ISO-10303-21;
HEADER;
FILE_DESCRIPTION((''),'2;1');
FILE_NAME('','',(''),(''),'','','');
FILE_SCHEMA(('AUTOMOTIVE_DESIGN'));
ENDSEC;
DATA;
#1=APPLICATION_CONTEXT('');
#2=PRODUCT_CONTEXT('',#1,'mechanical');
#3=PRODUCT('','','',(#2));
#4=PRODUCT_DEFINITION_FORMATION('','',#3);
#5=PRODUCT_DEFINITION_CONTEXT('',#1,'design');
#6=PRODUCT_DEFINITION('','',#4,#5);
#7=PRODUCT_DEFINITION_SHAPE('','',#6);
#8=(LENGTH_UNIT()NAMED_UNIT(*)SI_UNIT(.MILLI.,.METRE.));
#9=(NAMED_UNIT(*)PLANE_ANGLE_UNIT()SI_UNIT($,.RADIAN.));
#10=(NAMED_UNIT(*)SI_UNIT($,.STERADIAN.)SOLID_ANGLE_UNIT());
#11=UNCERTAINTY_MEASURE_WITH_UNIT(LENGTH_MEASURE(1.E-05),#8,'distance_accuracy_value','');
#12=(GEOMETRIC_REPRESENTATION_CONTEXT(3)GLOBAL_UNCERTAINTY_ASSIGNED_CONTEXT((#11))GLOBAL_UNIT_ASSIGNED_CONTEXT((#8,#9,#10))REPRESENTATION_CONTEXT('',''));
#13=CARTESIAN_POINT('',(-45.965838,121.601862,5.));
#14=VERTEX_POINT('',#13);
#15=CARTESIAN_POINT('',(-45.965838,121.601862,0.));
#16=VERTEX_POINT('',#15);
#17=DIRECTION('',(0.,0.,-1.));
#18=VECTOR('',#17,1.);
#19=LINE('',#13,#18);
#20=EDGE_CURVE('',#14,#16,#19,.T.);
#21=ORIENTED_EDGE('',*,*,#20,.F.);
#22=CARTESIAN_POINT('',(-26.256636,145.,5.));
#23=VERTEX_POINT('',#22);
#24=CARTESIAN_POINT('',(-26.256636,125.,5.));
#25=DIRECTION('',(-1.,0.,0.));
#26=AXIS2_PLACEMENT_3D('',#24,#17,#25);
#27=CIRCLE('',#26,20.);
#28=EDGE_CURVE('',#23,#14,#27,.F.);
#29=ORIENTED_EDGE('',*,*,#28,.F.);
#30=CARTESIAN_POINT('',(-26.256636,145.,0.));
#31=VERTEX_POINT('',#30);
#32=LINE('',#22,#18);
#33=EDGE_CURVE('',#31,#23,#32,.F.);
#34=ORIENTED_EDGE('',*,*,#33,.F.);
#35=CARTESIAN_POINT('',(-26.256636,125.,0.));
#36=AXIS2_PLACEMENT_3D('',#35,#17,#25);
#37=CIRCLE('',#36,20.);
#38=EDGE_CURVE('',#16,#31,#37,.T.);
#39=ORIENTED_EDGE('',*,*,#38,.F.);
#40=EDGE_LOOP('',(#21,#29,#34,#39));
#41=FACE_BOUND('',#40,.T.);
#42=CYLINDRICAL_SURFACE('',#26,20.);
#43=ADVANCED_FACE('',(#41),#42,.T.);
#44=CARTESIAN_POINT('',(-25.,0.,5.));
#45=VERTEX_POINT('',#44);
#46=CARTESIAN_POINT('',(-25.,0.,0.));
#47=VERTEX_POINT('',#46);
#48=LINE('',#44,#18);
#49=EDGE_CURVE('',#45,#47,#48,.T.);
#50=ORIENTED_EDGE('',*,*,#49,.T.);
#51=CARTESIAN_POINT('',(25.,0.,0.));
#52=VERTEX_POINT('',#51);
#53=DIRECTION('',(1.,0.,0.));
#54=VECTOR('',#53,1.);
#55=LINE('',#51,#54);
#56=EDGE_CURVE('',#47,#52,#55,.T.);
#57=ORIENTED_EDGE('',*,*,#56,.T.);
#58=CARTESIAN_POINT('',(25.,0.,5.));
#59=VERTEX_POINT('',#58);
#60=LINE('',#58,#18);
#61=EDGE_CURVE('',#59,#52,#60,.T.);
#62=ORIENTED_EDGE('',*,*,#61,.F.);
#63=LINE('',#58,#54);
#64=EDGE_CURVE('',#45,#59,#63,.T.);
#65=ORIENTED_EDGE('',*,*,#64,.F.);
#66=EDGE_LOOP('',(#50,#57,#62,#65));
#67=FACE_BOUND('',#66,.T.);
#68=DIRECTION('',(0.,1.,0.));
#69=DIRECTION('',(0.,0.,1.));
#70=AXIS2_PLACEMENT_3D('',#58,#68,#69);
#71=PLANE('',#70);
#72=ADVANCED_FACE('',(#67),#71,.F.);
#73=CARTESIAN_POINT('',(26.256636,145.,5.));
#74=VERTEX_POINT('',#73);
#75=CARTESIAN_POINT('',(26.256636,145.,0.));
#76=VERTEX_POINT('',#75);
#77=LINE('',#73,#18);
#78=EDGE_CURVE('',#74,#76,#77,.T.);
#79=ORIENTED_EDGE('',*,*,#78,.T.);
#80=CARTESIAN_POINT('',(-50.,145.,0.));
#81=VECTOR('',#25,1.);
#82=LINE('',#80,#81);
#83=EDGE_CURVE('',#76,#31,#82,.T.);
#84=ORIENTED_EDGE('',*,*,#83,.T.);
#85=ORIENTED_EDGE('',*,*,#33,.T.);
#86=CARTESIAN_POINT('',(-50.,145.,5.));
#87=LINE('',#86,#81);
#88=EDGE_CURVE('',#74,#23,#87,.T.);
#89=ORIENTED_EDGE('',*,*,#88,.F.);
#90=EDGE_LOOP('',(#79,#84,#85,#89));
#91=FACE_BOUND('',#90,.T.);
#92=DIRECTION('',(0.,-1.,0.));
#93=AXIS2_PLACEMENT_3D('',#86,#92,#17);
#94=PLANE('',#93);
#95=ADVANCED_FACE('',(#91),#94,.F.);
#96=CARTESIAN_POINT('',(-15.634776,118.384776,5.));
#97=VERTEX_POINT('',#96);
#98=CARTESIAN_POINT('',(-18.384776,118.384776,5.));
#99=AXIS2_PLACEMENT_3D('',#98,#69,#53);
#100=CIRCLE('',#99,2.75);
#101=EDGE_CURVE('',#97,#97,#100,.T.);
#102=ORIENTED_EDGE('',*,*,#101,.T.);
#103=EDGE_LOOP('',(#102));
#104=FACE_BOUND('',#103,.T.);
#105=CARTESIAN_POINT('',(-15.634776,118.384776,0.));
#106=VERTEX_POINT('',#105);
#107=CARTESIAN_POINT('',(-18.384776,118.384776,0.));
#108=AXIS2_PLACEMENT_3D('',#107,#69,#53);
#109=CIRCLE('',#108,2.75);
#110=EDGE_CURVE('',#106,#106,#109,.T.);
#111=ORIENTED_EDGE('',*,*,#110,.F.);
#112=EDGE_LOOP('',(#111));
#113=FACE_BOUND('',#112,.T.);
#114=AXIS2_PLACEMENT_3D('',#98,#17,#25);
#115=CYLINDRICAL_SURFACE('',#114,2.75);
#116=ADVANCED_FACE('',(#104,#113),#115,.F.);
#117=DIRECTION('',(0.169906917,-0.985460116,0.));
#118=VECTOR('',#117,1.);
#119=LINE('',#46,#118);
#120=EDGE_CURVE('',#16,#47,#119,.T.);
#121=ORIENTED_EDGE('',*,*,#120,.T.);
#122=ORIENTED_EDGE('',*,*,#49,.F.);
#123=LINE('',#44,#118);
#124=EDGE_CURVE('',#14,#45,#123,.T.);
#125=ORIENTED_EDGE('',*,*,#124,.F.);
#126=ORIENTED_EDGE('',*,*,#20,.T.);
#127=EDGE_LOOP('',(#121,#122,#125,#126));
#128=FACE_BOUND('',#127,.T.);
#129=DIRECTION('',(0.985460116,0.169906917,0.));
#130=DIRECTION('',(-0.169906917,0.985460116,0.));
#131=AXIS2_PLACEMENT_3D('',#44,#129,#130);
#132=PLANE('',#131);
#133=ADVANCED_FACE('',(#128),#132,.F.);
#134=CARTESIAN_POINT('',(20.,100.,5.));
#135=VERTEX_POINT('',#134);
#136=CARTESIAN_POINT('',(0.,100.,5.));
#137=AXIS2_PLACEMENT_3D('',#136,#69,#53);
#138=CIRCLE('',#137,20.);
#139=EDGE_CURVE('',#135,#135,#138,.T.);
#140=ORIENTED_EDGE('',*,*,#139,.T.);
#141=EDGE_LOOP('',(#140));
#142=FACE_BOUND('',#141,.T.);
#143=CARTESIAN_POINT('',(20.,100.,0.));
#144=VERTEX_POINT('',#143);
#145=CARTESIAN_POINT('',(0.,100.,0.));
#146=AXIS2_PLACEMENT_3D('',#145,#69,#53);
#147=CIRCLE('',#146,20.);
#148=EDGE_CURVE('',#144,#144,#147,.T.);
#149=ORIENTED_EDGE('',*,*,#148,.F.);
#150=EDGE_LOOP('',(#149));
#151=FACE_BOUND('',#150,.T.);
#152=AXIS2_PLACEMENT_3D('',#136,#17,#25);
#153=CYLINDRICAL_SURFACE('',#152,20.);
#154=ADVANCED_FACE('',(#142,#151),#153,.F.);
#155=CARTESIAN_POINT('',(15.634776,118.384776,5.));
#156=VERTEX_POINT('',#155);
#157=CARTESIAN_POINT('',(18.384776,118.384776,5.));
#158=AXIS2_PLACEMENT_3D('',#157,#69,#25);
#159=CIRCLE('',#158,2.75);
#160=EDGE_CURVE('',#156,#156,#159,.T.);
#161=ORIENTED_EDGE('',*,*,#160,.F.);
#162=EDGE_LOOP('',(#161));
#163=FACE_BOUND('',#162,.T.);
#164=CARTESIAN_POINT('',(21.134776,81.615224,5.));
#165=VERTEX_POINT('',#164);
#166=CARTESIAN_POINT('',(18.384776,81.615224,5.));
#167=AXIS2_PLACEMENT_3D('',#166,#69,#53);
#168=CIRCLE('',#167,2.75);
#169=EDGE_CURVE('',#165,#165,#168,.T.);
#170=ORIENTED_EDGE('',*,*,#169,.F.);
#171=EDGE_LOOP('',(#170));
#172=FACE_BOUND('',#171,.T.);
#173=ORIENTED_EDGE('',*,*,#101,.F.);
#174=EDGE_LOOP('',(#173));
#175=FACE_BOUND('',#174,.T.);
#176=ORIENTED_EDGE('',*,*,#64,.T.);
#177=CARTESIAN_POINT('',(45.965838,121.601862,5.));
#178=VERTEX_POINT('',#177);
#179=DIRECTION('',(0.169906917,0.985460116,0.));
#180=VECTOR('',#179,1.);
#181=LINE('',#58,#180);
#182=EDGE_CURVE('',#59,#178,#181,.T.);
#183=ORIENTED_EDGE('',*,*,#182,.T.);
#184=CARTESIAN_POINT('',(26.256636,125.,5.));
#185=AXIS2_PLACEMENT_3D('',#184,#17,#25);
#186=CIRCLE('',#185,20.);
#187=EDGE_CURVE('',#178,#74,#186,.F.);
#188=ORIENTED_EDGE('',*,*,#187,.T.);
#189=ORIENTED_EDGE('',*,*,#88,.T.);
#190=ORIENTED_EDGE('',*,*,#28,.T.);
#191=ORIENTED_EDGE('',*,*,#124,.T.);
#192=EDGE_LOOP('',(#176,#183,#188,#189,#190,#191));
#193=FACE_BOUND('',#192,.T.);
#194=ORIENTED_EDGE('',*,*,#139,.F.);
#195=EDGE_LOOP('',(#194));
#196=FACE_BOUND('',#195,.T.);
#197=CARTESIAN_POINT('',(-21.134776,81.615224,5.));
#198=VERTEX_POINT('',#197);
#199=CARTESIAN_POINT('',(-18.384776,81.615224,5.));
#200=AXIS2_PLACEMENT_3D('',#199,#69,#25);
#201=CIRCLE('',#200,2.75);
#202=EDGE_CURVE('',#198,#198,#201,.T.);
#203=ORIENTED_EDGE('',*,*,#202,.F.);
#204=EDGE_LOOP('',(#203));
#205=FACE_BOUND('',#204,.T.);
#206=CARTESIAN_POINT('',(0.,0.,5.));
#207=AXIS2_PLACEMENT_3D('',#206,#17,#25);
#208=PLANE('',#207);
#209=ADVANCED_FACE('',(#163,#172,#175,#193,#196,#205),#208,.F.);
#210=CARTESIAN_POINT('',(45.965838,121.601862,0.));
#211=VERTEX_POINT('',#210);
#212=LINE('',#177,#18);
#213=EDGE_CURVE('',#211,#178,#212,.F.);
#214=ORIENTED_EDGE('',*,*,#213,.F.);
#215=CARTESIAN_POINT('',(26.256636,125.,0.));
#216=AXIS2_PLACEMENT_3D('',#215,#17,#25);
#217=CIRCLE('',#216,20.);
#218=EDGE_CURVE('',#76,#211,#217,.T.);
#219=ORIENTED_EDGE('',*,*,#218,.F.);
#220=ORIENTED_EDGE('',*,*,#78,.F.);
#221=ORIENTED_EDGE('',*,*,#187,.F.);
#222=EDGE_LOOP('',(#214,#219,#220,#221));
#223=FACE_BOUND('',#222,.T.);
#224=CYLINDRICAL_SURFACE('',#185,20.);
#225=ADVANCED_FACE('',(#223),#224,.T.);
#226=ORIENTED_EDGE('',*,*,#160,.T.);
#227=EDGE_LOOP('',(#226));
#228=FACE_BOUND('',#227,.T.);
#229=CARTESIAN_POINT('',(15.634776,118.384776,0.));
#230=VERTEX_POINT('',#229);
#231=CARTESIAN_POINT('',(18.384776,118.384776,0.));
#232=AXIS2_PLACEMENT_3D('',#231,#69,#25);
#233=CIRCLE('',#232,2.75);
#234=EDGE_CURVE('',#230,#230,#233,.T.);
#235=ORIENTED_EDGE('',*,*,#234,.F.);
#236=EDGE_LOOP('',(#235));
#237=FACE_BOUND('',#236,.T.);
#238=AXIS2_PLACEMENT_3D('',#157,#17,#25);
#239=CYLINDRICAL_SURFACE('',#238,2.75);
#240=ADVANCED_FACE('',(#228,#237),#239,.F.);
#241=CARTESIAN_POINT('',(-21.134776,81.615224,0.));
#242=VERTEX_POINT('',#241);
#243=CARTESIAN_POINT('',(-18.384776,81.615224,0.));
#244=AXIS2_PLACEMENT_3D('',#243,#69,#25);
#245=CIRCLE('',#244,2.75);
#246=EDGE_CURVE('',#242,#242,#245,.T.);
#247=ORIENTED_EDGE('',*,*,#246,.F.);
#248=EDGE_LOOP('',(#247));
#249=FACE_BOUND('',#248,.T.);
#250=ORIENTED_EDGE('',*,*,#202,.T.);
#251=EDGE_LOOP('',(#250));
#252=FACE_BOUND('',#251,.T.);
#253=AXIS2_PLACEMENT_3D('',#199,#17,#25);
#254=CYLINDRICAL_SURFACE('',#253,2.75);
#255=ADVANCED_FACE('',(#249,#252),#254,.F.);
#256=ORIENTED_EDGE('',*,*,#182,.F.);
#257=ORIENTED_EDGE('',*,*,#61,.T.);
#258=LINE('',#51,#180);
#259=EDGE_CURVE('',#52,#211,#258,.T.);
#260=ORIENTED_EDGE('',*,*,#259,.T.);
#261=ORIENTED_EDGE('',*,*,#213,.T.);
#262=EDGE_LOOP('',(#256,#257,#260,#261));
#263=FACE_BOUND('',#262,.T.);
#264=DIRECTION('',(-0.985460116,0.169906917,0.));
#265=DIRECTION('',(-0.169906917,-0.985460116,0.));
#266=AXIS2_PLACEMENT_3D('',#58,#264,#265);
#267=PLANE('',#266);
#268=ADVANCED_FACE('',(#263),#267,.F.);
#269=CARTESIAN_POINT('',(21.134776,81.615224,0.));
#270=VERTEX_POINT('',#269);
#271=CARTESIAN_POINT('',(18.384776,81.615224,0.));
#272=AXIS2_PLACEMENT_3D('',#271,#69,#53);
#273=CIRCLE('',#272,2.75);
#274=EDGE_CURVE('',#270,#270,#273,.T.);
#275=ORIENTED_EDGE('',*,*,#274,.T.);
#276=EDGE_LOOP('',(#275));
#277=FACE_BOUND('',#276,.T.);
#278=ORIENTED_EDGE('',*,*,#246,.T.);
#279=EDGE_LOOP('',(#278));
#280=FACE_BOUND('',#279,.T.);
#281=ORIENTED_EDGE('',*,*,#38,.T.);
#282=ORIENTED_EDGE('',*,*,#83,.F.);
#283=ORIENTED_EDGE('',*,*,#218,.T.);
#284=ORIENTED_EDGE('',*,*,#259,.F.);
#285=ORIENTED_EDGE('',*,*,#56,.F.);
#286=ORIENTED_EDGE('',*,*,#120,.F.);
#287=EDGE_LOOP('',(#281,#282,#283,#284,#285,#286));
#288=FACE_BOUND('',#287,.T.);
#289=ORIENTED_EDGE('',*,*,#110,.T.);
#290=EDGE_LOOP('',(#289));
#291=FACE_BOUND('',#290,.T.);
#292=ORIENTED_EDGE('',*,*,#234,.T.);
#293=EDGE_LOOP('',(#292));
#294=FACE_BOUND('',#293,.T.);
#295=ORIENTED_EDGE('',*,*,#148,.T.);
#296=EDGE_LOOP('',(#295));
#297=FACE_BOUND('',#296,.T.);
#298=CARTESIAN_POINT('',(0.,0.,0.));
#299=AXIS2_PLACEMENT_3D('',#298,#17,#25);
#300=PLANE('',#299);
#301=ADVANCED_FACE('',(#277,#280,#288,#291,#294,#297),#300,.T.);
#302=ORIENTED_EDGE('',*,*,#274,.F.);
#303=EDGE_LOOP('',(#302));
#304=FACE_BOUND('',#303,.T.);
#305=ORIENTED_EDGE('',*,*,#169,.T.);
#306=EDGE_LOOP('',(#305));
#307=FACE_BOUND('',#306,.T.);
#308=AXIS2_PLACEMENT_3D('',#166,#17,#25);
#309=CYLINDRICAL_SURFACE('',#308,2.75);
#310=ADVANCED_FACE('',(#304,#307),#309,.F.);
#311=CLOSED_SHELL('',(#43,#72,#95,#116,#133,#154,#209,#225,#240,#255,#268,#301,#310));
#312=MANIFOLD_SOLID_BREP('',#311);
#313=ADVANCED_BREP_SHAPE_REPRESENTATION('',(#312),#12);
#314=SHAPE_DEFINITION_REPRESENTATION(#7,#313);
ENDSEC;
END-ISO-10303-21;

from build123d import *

# Parameters (mm, degrees)
SKETCH1_R           = 20
SKETCH1_R_2         = 2.75
BOSS_EXTRUDE1_DEPTH = 5
FILLET1_R           = 20


with BuildPart() as part:
    # Sketch1 → Boss-Extrude1 (new body)
    with BuildSketch(Plane.XY):
        Polygon((25, 0), (-25, 0), (-50, 145), (50, 145), align=None)
        with Locations((0, 100)):
            Circle(SKETCH1_R, mode=Mode.SUBTRACT)
        with Locations((-18.384776311, 118.384776311)):
            Circle(SKETCH1_R_2, mode=Mode.SUBTRACT)
        with Locations((-18.384776311, 81.615223689)):
            Circle(SKETCH1_R_2, mode=Mode.SUBTRACT)
        with Locations((18.384776311, 81.615223689)):
            Circle(SKETCH1_R_2, mode=Mode.SUBTRACT)
        with Locations((18.384776311, 118.384776311)):
            Circle(SKETCH1_R_2, mode=Mode.SUBTRACT)
    extrude(amount=BOSS_EXTRUDE1_DEPTH)

    # Fillet1
    fillet1_edges = [part.edges().sort_by_distance(p)[0] for p in [
        (-50, 145, 2.5),
        (50, 145, 2.5),
    ]]
    fillet(fillet1_edges, radius=FILLET1_R)


solid = part.part
